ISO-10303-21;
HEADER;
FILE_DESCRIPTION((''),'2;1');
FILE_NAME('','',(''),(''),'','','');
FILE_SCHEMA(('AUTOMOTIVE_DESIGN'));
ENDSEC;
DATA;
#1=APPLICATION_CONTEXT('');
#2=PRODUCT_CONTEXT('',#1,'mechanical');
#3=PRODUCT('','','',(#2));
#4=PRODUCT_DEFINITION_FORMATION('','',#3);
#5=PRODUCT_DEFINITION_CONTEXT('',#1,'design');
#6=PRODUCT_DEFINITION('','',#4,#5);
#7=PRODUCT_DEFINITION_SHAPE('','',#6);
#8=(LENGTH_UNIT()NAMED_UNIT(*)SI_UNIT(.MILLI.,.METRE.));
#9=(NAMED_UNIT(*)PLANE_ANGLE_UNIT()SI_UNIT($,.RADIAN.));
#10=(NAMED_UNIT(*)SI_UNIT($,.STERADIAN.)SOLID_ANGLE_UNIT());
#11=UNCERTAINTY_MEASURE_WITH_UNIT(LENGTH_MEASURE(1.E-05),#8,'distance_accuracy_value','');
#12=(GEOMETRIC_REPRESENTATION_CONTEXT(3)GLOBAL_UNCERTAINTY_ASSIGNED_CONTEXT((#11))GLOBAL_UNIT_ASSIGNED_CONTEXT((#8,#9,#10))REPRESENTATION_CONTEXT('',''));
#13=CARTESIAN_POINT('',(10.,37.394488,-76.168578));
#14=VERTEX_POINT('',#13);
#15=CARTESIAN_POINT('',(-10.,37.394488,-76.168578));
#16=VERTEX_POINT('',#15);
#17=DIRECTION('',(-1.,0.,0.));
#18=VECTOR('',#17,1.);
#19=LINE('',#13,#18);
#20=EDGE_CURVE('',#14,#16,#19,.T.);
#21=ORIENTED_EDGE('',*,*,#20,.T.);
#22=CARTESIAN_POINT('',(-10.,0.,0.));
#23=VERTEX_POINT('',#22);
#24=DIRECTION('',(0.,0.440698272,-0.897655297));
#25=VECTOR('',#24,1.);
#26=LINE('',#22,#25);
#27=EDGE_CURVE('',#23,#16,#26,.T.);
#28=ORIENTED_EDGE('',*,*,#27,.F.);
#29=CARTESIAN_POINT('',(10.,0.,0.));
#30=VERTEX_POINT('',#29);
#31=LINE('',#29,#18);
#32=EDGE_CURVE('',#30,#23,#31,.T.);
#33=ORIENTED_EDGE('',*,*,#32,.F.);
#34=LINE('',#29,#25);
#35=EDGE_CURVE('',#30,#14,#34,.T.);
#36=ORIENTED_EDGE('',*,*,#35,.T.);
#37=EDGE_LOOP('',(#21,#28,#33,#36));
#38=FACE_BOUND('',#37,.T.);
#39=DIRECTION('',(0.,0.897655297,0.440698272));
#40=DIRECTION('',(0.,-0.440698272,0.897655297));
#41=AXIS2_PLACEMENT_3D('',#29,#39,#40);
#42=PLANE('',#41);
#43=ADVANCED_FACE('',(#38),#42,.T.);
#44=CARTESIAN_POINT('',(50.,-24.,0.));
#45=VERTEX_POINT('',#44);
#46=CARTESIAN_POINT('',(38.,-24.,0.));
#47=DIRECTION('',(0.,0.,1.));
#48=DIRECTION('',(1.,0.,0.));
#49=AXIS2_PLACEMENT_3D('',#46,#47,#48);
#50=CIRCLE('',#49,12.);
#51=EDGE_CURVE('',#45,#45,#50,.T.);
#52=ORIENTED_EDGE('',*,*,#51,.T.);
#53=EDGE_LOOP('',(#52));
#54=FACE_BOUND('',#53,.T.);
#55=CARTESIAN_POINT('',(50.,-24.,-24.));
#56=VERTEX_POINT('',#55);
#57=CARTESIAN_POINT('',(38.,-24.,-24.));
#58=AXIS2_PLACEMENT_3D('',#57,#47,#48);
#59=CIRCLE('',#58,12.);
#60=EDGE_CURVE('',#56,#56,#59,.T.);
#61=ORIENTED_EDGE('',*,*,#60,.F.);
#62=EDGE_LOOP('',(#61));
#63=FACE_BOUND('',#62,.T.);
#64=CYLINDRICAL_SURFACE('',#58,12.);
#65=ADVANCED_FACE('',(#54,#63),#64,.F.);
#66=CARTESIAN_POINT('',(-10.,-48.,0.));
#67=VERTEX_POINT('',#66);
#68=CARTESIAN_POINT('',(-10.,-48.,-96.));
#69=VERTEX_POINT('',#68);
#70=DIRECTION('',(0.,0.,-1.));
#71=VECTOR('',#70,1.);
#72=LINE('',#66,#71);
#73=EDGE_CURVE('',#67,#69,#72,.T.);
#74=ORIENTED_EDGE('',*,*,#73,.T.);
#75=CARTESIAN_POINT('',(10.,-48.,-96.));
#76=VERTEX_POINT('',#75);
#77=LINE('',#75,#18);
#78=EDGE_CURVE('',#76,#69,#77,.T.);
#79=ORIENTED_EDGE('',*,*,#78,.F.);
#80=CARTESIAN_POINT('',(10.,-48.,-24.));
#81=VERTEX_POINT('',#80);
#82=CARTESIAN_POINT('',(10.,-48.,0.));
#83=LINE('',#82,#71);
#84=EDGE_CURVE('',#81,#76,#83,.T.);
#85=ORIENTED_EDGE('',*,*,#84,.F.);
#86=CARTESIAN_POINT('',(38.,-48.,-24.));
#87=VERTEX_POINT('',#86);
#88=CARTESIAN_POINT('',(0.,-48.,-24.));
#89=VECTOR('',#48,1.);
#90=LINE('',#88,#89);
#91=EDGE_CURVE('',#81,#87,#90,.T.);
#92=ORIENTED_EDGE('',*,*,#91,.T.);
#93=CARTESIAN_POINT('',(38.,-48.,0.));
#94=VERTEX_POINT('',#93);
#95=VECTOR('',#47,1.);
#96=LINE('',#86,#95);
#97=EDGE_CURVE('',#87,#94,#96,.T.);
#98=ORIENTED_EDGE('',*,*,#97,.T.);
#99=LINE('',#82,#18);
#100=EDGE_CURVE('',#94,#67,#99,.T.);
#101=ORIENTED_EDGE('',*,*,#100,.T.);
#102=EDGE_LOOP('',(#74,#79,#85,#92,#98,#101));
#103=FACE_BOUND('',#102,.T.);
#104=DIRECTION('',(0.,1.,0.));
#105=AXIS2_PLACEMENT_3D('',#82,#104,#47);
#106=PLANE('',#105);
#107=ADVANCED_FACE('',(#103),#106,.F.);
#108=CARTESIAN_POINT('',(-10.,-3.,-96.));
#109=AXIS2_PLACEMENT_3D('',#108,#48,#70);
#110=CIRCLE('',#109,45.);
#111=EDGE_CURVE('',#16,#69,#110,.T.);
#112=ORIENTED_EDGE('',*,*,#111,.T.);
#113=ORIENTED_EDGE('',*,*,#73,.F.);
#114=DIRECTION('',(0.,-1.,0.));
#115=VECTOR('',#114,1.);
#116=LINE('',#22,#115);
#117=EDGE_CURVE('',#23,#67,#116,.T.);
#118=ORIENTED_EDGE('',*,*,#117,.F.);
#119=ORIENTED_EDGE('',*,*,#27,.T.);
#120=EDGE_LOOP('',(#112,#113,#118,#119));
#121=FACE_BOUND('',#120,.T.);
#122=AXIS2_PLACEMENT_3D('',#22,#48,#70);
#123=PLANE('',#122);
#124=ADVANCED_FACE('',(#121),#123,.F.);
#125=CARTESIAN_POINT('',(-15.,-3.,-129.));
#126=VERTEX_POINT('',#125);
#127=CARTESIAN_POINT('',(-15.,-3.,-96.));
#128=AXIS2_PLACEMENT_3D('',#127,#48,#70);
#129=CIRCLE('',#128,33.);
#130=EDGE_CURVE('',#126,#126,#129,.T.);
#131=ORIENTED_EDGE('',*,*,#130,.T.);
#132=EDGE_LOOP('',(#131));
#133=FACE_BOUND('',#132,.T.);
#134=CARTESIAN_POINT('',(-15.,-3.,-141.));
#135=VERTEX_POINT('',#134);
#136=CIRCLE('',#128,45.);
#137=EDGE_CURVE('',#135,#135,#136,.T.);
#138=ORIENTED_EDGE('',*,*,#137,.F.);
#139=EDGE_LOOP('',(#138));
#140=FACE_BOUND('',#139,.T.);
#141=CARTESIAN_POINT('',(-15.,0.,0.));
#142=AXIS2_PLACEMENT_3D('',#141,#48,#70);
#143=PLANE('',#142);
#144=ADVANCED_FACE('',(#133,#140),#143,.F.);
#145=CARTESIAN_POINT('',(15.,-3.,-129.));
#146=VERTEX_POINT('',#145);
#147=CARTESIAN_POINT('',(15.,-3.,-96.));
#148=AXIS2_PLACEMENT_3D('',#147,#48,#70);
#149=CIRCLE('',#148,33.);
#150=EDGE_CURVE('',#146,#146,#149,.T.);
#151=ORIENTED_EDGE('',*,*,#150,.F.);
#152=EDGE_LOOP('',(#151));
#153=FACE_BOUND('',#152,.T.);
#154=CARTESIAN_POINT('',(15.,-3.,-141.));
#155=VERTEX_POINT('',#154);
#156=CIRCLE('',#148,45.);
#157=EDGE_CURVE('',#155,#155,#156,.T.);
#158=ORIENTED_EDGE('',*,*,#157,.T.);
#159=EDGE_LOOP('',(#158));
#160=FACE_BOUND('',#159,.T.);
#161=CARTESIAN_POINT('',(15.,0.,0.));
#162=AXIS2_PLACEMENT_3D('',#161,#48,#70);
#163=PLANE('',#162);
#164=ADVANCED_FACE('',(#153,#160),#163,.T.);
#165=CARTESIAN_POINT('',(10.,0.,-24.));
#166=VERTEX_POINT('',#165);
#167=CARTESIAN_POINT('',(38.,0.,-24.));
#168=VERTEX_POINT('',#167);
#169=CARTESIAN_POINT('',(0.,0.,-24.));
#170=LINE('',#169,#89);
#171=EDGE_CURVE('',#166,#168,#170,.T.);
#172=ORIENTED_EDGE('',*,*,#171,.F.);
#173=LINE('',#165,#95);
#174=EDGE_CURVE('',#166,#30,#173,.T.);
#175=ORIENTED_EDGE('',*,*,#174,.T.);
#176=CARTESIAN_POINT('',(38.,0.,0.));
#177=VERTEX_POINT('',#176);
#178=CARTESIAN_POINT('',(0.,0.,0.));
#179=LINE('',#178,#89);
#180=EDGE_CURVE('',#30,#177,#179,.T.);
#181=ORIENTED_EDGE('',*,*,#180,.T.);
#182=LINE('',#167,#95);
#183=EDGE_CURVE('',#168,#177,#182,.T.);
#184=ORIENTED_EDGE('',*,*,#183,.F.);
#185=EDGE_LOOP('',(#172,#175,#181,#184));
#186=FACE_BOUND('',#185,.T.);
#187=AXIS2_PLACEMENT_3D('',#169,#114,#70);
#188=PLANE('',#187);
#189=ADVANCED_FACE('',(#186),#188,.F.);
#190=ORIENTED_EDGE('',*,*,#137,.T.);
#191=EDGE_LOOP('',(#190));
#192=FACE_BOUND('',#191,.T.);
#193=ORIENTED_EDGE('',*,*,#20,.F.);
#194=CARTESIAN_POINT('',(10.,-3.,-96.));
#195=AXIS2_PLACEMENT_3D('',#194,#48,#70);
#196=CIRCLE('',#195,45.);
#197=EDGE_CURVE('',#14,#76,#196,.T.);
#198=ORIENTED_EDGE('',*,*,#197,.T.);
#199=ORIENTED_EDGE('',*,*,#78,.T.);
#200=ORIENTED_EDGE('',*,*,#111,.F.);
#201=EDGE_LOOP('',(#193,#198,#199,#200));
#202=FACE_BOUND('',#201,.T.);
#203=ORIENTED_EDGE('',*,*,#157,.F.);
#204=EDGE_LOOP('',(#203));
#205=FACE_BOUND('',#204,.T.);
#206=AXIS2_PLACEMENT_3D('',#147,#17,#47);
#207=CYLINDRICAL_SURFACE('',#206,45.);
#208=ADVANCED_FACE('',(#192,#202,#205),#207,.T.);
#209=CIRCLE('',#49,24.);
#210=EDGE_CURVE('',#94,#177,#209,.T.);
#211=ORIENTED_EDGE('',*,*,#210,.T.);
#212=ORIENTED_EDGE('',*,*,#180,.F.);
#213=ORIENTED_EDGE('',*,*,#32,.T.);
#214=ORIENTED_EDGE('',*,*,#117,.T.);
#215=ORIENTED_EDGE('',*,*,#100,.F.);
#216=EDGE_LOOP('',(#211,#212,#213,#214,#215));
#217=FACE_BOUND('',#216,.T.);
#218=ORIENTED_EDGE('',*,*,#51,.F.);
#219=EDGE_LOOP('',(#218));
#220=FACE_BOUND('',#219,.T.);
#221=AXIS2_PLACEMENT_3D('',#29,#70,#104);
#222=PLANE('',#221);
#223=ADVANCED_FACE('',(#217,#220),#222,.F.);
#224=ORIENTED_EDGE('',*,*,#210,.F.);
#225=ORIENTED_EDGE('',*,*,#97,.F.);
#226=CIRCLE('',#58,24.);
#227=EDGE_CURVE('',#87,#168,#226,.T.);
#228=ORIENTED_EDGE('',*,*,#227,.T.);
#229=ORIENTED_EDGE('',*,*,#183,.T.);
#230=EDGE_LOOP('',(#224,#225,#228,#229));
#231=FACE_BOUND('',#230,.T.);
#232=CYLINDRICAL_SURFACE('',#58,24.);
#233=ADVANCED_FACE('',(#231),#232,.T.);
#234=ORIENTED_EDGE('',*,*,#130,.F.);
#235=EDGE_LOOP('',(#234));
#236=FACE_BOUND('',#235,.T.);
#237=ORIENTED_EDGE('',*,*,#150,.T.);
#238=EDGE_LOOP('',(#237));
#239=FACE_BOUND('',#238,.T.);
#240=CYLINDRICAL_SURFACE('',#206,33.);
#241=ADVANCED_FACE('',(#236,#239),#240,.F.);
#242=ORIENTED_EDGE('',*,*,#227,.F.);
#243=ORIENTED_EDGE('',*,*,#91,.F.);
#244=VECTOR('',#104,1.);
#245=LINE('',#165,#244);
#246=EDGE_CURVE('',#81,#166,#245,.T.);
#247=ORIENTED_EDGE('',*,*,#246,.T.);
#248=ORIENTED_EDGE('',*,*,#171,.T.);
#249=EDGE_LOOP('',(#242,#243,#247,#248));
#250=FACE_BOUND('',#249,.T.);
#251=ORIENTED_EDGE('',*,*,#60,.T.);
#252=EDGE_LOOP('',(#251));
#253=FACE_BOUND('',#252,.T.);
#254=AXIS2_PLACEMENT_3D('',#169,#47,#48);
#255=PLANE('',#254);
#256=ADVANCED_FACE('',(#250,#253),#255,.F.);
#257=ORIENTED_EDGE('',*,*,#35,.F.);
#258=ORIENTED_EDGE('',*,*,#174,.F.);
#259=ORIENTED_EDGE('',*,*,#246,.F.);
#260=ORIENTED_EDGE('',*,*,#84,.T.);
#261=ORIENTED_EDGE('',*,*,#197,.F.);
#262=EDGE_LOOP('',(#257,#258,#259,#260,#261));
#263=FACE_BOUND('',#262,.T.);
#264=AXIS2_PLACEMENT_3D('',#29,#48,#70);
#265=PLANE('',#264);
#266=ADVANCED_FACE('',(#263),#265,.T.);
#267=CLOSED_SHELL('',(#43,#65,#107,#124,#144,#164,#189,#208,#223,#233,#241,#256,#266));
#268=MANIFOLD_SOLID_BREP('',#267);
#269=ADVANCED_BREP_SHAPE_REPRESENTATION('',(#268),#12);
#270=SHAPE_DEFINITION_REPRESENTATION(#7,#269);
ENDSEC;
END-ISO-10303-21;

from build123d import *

# Parameters (mm, degrees)
EXTRUDE_1_DEPTH = 10
SKETCH_1_4_R    = 33.000000000000014
EXTRUDE_2_DEPTH = 15
SKETCH_2_R      = 12.000000000000005
EXTRUDE_3_DEPTH = 24


with BuildPart() as part:
    # 草圖1 → 填料-伸長1 (new, symmetric)
    with BuildSketch(Plane(origin=(0, 0, 0), x_dir=(0, 0, -1), z_dir=(1, 0, 0))):
        with BuildLine():
            Line((76.16857776208369, 37.394488386678184), (0, 0))
            Line((0, 0), (5.88e-15, -48))
            Line((5.88e-15, -48), (96, -48.00000000000001))
            ThreePointArc((95.99999999999999, -48.00000000000002), (52.166496960655074, -13.179587972985), (76.16857776208367, 37.39448838667819))
        make_face()
    extrude(amount=EXTRUDE_1_DEPTH, both=True)

    # 草圖1<4> → 填料-伸長2 (add, symmetric)
    with BuildSketch(Plane(origin=(0, 0, 0), x_dir=(0, 0, -1), z_dir=(1, 0, 0))):
        with BuildLine():
            ThreePointArc((141.00000000000003, -3.0000000000000027), (119.7969115568992, 35.19302292766466), (76.16857776208367, 37.39448838667819))
            ThreePointArc((76.16857776208367, 37.39448838667819), (52.166496960655074, -13.179587972985), (95.99999999999999, -48.00000000000002))
            ThreePointArc((95.99999999999999, -48.00000000000002), (127.81980515339464, -34.81980515339466), (141.00000000000003, -3.0000000000000138))
        make_face()
        with Locations((96, -3.0000000000000027)):
            Circle(SKETCH_1_4_R, mode=Mode.SUBTRACT)
    extrude(amount=EXTRUDE_2_DEPTH, both=True)

    # 草圖2 → 填料-伸長3 (add)
    with BuildSketch(Plane.XY):
        with BuildLine():
            Line((38, 0), (10, 0))
            Line((10, 0), (10, -48))
            Line((10, -48), (38, -48))
            ThreePointArc((38, -48), (62, -24), (38, 0))
        make_face()
        with Locations((38, -24)):
            Circle(SKETCH_2_R, mode=Mode.SUBTRACT)
    extrude(amount=-EXTRUDE_3_DEPTH)


solid = part.part
